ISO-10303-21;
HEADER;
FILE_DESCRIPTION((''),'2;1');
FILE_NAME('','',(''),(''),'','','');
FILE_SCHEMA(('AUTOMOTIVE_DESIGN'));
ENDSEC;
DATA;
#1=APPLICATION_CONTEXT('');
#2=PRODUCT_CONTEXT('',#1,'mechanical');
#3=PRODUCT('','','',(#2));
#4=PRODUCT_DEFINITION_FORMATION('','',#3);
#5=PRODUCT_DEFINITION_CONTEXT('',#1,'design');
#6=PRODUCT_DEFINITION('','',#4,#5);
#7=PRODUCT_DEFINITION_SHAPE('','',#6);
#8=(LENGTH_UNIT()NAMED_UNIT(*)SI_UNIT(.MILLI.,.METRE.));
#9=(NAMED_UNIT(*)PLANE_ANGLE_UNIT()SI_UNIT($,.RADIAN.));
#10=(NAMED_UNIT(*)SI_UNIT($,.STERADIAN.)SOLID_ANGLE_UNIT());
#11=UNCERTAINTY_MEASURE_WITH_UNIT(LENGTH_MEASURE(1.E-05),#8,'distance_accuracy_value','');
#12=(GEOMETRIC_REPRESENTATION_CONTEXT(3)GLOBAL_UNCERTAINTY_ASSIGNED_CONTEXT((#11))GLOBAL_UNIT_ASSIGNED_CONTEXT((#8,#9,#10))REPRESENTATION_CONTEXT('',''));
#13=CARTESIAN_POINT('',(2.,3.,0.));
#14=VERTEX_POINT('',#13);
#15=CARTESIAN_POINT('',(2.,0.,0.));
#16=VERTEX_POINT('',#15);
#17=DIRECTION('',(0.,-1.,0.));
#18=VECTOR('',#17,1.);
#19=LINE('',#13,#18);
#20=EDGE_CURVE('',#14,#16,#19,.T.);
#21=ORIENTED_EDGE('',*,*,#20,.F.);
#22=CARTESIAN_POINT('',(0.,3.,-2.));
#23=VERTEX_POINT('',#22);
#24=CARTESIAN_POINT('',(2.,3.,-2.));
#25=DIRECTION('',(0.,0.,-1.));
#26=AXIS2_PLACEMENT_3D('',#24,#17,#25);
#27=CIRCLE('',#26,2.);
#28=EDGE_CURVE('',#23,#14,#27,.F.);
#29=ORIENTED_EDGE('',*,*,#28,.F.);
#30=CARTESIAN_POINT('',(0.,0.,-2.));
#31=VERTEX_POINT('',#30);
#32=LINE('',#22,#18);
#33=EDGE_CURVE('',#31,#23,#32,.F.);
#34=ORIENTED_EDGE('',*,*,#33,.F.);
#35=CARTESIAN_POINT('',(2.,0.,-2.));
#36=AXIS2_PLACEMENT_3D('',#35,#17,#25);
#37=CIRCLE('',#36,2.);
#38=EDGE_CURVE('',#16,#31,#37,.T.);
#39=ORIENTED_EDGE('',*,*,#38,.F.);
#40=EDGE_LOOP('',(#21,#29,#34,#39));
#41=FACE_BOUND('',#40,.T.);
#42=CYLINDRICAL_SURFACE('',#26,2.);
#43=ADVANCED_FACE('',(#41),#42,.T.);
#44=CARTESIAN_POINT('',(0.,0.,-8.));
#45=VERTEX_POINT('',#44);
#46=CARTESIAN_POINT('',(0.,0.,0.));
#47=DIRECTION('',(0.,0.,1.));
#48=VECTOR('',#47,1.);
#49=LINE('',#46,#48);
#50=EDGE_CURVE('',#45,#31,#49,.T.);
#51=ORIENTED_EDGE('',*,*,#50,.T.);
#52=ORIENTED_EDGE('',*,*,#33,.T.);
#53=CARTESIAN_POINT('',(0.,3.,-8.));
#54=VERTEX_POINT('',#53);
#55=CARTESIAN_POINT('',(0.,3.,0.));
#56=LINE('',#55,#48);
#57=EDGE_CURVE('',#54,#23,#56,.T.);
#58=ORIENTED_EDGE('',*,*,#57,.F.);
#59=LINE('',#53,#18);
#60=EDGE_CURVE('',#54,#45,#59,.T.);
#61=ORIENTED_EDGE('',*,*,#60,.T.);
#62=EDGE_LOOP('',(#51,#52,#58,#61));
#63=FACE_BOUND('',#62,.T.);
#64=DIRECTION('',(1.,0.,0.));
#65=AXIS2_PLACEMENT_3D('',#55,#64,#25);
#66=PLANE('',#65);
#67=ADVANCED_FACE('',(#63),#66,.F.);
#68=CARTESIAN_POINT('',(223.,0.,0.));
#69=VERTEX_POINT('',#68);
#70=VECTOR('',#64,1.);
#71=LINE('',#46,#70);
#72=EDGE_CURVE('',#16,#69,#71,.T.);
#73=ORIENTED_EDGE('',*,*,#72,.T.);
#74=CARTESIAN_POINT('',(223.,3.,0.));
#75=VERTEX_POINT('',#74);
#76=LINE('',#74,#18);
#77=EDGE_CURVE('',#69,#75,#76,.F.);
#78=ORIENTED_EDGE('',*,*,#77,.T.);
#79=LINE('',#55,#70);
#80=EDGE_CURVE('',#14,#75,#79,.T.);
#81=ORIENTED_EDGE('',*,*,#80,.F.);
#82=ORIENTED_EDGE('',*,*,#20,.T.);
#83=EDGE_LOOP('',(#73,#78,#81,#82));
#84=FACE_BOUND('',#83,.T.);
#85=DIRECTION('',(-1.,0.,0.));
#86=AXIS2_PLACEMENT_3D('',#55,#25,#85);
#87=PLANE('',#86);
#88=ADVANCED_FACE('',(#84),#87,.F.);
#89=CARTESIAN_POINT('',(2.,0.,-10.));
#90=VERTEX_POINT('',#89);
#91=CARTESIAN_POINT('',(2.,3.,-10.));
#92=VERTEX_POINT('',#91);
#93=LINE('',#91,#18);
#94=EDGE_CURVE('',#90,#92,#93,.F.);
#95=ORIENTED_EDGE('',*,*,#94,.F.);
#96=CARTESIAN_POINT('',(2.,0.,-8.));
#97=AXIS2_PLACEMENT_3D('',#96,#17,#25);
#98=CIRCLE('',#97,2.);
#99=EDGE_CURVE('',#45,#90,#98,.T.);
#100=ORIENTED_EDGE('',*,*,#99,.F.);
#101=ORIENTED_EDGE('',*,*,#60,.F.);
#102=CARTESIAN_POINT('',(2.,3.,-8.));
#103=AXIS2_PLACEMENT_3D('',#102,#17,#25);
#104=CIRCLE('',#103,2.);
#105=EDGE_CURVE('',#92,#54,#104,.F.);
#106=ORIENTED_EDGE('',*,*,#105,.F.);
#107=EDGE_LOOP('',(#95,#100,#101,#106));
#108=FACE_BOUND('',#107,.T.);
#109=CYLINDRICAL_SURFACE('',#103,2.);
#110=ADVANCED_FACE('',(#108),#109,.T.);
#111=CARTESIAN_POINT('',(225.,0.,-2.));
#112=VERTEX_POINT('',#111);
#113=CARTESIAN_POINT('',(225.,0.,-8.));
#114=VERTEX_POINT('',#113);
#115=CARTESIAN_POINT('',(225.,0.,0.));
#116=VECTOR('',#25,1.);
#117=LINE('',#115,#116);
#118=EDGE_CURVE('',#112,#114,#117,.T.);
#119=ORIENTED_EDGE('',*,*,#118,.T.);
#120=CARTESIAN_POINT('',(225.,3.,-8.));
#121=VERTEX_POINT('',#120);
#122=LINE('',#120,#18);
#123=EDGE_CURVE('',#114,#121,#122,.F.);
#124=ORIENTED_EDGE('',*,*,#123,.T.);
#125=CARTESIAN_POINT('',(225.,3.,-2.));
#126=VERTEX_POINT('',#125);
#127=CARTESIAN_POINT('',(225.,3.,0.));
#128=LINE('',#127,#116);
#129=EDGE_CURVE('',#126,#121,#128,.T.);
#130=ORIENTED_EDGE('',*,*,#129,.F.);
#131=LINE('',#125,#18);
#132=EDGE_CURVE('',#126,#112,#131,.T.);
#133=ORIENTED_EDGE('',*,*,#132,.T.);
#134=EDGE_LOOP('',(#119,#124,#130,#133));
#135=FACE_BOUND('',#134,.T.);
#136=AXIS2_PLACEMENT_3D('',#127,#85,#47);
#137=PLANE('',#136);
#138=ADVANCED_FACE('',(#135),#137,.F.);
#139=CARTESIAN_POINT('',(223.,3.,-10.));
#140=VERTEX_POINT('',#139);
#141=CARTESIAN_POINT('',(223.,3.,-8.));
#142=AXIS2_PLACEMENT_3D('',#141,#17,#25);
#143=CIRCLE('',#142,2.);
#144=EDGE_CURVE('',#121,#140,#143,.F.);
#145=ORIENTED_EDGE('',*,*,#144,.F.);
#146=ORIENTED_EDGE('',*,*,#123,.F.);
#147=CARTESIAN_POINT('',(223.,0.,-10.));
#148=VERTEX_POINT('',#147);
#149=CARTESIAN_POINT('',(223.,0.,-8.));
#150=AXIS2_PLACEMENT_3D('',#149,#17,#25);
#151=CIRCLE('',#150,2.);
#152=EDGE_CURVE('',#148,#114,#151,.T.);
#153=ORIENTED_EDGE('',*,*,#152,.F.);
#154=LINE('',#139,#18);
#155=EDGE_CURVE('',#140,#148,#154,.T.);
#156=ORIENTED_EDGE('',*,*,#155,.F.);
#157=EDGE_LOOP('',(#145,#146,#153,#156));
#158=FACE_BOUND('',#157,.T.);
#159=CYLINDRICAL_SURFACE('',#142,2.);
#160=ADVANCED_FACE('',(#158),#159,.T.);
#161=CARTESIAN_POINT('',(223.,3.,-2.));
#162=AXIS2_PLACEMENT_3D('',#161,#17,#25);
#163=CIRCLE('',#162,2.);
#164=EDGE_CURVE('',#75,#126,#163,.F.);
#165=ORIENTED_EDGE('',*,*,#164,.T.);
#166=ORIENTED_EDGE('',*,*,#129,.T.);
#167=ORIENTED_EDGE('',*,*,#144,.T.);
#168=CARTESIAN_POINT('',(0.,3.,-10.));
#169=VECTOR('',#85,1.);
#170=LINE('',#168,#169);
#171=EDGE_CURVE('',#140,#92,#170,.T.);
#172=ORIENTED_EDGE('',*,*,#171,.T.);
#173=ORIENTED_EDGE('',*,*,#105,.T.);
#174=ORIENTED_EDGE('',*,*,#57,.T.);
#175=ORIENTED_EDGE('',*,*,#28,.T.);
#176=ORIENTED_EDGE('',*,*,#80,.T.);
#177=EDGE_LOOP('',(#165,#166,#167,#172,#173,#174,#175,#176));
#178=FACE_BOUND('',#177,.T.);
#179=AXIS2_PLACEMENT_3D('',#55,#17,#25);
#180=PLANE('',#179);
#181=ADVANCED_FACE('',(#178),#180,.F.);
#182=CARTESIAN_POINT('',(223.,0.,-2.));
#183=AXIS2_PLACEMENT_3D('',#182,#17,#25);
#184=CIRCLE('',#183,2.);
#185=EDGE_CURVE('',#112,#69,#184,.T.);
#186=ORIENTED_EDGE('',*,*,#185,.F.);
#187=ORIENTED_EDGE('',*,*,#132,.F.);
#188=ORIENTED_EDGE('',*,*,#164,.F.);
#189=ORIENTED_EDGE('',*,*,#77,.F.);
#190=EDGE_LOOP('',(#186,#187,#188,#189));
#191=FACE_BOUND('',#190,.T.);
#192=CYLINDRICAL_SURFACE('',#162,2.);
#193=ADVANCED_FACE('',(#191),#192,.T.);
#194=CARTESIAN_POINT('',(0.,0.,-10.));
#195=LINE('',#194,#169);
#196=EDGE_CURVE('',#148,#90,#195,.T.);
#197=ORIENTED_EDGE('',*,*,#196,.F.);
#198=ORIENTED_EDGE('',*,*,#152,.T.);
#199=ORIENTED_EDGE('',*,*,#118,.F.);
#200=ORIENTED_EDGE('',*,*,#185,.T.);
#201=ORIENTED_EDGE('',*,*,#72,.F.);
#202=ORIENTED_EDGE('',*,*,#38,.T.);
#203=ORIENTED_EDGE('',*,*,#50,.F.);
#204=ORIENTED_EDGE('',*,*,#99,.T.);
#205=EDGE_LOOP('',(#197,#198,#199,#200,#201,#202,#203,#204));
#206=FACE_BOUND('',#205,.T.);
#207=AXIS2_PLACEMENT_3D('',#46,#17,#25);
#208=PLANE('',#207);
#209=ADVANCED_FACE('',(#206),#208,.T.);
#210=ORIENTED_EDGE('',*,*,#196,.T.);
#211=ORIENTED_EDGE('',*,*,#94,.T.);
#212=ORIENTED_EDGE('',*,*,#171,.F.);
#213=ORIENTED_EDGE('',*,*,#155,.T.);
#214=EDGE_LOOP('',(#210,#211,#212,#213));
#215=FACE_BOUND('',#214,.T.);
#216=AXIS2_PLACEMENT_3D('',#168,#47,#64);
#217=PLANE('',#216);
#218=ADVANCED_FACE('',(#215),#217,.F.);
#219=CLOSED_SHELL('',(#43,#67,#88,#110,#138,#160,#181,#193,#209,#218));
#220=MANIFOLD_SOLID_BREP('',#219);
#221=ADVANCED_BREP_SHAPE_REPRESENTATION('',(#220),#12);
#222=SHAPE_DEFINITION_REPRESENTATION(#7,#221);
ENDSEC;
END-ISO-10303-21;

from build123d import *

# Parameters (mm, degrees)
SKETCH_1_W      = 225
SKETCH_1_H      = 10
EXTRUDE_1_DEPTH = 3
FILLET_1_R      = 2


with BuildPart() as part:
    # 스케치1 → 보스-돌출1 (new body)
    with BuildSketch(Plane(origin=(0, 0, 0), x_dir=(1, 0, 0), z_dir=(0, 1, 0))):
        with Locations((112.5, 5)):
            Rectangle(SKETCH_1_W, SKETCH_1_H)
    extrude(amount=EXTRUDE_1_DEPTH)

    # 필렛1
    fillet_1_edges = [part.edges().sort_by_distance(p)[0] for p in [
        (0, 1.5, -10),
        (225, 1.5, -10),
        (225, 1.5, 0),
        (0, 1.5, 0),
    ]]
    fillet(fillet_1_edges, radius=FILLET_1_R)


solid = part.part
